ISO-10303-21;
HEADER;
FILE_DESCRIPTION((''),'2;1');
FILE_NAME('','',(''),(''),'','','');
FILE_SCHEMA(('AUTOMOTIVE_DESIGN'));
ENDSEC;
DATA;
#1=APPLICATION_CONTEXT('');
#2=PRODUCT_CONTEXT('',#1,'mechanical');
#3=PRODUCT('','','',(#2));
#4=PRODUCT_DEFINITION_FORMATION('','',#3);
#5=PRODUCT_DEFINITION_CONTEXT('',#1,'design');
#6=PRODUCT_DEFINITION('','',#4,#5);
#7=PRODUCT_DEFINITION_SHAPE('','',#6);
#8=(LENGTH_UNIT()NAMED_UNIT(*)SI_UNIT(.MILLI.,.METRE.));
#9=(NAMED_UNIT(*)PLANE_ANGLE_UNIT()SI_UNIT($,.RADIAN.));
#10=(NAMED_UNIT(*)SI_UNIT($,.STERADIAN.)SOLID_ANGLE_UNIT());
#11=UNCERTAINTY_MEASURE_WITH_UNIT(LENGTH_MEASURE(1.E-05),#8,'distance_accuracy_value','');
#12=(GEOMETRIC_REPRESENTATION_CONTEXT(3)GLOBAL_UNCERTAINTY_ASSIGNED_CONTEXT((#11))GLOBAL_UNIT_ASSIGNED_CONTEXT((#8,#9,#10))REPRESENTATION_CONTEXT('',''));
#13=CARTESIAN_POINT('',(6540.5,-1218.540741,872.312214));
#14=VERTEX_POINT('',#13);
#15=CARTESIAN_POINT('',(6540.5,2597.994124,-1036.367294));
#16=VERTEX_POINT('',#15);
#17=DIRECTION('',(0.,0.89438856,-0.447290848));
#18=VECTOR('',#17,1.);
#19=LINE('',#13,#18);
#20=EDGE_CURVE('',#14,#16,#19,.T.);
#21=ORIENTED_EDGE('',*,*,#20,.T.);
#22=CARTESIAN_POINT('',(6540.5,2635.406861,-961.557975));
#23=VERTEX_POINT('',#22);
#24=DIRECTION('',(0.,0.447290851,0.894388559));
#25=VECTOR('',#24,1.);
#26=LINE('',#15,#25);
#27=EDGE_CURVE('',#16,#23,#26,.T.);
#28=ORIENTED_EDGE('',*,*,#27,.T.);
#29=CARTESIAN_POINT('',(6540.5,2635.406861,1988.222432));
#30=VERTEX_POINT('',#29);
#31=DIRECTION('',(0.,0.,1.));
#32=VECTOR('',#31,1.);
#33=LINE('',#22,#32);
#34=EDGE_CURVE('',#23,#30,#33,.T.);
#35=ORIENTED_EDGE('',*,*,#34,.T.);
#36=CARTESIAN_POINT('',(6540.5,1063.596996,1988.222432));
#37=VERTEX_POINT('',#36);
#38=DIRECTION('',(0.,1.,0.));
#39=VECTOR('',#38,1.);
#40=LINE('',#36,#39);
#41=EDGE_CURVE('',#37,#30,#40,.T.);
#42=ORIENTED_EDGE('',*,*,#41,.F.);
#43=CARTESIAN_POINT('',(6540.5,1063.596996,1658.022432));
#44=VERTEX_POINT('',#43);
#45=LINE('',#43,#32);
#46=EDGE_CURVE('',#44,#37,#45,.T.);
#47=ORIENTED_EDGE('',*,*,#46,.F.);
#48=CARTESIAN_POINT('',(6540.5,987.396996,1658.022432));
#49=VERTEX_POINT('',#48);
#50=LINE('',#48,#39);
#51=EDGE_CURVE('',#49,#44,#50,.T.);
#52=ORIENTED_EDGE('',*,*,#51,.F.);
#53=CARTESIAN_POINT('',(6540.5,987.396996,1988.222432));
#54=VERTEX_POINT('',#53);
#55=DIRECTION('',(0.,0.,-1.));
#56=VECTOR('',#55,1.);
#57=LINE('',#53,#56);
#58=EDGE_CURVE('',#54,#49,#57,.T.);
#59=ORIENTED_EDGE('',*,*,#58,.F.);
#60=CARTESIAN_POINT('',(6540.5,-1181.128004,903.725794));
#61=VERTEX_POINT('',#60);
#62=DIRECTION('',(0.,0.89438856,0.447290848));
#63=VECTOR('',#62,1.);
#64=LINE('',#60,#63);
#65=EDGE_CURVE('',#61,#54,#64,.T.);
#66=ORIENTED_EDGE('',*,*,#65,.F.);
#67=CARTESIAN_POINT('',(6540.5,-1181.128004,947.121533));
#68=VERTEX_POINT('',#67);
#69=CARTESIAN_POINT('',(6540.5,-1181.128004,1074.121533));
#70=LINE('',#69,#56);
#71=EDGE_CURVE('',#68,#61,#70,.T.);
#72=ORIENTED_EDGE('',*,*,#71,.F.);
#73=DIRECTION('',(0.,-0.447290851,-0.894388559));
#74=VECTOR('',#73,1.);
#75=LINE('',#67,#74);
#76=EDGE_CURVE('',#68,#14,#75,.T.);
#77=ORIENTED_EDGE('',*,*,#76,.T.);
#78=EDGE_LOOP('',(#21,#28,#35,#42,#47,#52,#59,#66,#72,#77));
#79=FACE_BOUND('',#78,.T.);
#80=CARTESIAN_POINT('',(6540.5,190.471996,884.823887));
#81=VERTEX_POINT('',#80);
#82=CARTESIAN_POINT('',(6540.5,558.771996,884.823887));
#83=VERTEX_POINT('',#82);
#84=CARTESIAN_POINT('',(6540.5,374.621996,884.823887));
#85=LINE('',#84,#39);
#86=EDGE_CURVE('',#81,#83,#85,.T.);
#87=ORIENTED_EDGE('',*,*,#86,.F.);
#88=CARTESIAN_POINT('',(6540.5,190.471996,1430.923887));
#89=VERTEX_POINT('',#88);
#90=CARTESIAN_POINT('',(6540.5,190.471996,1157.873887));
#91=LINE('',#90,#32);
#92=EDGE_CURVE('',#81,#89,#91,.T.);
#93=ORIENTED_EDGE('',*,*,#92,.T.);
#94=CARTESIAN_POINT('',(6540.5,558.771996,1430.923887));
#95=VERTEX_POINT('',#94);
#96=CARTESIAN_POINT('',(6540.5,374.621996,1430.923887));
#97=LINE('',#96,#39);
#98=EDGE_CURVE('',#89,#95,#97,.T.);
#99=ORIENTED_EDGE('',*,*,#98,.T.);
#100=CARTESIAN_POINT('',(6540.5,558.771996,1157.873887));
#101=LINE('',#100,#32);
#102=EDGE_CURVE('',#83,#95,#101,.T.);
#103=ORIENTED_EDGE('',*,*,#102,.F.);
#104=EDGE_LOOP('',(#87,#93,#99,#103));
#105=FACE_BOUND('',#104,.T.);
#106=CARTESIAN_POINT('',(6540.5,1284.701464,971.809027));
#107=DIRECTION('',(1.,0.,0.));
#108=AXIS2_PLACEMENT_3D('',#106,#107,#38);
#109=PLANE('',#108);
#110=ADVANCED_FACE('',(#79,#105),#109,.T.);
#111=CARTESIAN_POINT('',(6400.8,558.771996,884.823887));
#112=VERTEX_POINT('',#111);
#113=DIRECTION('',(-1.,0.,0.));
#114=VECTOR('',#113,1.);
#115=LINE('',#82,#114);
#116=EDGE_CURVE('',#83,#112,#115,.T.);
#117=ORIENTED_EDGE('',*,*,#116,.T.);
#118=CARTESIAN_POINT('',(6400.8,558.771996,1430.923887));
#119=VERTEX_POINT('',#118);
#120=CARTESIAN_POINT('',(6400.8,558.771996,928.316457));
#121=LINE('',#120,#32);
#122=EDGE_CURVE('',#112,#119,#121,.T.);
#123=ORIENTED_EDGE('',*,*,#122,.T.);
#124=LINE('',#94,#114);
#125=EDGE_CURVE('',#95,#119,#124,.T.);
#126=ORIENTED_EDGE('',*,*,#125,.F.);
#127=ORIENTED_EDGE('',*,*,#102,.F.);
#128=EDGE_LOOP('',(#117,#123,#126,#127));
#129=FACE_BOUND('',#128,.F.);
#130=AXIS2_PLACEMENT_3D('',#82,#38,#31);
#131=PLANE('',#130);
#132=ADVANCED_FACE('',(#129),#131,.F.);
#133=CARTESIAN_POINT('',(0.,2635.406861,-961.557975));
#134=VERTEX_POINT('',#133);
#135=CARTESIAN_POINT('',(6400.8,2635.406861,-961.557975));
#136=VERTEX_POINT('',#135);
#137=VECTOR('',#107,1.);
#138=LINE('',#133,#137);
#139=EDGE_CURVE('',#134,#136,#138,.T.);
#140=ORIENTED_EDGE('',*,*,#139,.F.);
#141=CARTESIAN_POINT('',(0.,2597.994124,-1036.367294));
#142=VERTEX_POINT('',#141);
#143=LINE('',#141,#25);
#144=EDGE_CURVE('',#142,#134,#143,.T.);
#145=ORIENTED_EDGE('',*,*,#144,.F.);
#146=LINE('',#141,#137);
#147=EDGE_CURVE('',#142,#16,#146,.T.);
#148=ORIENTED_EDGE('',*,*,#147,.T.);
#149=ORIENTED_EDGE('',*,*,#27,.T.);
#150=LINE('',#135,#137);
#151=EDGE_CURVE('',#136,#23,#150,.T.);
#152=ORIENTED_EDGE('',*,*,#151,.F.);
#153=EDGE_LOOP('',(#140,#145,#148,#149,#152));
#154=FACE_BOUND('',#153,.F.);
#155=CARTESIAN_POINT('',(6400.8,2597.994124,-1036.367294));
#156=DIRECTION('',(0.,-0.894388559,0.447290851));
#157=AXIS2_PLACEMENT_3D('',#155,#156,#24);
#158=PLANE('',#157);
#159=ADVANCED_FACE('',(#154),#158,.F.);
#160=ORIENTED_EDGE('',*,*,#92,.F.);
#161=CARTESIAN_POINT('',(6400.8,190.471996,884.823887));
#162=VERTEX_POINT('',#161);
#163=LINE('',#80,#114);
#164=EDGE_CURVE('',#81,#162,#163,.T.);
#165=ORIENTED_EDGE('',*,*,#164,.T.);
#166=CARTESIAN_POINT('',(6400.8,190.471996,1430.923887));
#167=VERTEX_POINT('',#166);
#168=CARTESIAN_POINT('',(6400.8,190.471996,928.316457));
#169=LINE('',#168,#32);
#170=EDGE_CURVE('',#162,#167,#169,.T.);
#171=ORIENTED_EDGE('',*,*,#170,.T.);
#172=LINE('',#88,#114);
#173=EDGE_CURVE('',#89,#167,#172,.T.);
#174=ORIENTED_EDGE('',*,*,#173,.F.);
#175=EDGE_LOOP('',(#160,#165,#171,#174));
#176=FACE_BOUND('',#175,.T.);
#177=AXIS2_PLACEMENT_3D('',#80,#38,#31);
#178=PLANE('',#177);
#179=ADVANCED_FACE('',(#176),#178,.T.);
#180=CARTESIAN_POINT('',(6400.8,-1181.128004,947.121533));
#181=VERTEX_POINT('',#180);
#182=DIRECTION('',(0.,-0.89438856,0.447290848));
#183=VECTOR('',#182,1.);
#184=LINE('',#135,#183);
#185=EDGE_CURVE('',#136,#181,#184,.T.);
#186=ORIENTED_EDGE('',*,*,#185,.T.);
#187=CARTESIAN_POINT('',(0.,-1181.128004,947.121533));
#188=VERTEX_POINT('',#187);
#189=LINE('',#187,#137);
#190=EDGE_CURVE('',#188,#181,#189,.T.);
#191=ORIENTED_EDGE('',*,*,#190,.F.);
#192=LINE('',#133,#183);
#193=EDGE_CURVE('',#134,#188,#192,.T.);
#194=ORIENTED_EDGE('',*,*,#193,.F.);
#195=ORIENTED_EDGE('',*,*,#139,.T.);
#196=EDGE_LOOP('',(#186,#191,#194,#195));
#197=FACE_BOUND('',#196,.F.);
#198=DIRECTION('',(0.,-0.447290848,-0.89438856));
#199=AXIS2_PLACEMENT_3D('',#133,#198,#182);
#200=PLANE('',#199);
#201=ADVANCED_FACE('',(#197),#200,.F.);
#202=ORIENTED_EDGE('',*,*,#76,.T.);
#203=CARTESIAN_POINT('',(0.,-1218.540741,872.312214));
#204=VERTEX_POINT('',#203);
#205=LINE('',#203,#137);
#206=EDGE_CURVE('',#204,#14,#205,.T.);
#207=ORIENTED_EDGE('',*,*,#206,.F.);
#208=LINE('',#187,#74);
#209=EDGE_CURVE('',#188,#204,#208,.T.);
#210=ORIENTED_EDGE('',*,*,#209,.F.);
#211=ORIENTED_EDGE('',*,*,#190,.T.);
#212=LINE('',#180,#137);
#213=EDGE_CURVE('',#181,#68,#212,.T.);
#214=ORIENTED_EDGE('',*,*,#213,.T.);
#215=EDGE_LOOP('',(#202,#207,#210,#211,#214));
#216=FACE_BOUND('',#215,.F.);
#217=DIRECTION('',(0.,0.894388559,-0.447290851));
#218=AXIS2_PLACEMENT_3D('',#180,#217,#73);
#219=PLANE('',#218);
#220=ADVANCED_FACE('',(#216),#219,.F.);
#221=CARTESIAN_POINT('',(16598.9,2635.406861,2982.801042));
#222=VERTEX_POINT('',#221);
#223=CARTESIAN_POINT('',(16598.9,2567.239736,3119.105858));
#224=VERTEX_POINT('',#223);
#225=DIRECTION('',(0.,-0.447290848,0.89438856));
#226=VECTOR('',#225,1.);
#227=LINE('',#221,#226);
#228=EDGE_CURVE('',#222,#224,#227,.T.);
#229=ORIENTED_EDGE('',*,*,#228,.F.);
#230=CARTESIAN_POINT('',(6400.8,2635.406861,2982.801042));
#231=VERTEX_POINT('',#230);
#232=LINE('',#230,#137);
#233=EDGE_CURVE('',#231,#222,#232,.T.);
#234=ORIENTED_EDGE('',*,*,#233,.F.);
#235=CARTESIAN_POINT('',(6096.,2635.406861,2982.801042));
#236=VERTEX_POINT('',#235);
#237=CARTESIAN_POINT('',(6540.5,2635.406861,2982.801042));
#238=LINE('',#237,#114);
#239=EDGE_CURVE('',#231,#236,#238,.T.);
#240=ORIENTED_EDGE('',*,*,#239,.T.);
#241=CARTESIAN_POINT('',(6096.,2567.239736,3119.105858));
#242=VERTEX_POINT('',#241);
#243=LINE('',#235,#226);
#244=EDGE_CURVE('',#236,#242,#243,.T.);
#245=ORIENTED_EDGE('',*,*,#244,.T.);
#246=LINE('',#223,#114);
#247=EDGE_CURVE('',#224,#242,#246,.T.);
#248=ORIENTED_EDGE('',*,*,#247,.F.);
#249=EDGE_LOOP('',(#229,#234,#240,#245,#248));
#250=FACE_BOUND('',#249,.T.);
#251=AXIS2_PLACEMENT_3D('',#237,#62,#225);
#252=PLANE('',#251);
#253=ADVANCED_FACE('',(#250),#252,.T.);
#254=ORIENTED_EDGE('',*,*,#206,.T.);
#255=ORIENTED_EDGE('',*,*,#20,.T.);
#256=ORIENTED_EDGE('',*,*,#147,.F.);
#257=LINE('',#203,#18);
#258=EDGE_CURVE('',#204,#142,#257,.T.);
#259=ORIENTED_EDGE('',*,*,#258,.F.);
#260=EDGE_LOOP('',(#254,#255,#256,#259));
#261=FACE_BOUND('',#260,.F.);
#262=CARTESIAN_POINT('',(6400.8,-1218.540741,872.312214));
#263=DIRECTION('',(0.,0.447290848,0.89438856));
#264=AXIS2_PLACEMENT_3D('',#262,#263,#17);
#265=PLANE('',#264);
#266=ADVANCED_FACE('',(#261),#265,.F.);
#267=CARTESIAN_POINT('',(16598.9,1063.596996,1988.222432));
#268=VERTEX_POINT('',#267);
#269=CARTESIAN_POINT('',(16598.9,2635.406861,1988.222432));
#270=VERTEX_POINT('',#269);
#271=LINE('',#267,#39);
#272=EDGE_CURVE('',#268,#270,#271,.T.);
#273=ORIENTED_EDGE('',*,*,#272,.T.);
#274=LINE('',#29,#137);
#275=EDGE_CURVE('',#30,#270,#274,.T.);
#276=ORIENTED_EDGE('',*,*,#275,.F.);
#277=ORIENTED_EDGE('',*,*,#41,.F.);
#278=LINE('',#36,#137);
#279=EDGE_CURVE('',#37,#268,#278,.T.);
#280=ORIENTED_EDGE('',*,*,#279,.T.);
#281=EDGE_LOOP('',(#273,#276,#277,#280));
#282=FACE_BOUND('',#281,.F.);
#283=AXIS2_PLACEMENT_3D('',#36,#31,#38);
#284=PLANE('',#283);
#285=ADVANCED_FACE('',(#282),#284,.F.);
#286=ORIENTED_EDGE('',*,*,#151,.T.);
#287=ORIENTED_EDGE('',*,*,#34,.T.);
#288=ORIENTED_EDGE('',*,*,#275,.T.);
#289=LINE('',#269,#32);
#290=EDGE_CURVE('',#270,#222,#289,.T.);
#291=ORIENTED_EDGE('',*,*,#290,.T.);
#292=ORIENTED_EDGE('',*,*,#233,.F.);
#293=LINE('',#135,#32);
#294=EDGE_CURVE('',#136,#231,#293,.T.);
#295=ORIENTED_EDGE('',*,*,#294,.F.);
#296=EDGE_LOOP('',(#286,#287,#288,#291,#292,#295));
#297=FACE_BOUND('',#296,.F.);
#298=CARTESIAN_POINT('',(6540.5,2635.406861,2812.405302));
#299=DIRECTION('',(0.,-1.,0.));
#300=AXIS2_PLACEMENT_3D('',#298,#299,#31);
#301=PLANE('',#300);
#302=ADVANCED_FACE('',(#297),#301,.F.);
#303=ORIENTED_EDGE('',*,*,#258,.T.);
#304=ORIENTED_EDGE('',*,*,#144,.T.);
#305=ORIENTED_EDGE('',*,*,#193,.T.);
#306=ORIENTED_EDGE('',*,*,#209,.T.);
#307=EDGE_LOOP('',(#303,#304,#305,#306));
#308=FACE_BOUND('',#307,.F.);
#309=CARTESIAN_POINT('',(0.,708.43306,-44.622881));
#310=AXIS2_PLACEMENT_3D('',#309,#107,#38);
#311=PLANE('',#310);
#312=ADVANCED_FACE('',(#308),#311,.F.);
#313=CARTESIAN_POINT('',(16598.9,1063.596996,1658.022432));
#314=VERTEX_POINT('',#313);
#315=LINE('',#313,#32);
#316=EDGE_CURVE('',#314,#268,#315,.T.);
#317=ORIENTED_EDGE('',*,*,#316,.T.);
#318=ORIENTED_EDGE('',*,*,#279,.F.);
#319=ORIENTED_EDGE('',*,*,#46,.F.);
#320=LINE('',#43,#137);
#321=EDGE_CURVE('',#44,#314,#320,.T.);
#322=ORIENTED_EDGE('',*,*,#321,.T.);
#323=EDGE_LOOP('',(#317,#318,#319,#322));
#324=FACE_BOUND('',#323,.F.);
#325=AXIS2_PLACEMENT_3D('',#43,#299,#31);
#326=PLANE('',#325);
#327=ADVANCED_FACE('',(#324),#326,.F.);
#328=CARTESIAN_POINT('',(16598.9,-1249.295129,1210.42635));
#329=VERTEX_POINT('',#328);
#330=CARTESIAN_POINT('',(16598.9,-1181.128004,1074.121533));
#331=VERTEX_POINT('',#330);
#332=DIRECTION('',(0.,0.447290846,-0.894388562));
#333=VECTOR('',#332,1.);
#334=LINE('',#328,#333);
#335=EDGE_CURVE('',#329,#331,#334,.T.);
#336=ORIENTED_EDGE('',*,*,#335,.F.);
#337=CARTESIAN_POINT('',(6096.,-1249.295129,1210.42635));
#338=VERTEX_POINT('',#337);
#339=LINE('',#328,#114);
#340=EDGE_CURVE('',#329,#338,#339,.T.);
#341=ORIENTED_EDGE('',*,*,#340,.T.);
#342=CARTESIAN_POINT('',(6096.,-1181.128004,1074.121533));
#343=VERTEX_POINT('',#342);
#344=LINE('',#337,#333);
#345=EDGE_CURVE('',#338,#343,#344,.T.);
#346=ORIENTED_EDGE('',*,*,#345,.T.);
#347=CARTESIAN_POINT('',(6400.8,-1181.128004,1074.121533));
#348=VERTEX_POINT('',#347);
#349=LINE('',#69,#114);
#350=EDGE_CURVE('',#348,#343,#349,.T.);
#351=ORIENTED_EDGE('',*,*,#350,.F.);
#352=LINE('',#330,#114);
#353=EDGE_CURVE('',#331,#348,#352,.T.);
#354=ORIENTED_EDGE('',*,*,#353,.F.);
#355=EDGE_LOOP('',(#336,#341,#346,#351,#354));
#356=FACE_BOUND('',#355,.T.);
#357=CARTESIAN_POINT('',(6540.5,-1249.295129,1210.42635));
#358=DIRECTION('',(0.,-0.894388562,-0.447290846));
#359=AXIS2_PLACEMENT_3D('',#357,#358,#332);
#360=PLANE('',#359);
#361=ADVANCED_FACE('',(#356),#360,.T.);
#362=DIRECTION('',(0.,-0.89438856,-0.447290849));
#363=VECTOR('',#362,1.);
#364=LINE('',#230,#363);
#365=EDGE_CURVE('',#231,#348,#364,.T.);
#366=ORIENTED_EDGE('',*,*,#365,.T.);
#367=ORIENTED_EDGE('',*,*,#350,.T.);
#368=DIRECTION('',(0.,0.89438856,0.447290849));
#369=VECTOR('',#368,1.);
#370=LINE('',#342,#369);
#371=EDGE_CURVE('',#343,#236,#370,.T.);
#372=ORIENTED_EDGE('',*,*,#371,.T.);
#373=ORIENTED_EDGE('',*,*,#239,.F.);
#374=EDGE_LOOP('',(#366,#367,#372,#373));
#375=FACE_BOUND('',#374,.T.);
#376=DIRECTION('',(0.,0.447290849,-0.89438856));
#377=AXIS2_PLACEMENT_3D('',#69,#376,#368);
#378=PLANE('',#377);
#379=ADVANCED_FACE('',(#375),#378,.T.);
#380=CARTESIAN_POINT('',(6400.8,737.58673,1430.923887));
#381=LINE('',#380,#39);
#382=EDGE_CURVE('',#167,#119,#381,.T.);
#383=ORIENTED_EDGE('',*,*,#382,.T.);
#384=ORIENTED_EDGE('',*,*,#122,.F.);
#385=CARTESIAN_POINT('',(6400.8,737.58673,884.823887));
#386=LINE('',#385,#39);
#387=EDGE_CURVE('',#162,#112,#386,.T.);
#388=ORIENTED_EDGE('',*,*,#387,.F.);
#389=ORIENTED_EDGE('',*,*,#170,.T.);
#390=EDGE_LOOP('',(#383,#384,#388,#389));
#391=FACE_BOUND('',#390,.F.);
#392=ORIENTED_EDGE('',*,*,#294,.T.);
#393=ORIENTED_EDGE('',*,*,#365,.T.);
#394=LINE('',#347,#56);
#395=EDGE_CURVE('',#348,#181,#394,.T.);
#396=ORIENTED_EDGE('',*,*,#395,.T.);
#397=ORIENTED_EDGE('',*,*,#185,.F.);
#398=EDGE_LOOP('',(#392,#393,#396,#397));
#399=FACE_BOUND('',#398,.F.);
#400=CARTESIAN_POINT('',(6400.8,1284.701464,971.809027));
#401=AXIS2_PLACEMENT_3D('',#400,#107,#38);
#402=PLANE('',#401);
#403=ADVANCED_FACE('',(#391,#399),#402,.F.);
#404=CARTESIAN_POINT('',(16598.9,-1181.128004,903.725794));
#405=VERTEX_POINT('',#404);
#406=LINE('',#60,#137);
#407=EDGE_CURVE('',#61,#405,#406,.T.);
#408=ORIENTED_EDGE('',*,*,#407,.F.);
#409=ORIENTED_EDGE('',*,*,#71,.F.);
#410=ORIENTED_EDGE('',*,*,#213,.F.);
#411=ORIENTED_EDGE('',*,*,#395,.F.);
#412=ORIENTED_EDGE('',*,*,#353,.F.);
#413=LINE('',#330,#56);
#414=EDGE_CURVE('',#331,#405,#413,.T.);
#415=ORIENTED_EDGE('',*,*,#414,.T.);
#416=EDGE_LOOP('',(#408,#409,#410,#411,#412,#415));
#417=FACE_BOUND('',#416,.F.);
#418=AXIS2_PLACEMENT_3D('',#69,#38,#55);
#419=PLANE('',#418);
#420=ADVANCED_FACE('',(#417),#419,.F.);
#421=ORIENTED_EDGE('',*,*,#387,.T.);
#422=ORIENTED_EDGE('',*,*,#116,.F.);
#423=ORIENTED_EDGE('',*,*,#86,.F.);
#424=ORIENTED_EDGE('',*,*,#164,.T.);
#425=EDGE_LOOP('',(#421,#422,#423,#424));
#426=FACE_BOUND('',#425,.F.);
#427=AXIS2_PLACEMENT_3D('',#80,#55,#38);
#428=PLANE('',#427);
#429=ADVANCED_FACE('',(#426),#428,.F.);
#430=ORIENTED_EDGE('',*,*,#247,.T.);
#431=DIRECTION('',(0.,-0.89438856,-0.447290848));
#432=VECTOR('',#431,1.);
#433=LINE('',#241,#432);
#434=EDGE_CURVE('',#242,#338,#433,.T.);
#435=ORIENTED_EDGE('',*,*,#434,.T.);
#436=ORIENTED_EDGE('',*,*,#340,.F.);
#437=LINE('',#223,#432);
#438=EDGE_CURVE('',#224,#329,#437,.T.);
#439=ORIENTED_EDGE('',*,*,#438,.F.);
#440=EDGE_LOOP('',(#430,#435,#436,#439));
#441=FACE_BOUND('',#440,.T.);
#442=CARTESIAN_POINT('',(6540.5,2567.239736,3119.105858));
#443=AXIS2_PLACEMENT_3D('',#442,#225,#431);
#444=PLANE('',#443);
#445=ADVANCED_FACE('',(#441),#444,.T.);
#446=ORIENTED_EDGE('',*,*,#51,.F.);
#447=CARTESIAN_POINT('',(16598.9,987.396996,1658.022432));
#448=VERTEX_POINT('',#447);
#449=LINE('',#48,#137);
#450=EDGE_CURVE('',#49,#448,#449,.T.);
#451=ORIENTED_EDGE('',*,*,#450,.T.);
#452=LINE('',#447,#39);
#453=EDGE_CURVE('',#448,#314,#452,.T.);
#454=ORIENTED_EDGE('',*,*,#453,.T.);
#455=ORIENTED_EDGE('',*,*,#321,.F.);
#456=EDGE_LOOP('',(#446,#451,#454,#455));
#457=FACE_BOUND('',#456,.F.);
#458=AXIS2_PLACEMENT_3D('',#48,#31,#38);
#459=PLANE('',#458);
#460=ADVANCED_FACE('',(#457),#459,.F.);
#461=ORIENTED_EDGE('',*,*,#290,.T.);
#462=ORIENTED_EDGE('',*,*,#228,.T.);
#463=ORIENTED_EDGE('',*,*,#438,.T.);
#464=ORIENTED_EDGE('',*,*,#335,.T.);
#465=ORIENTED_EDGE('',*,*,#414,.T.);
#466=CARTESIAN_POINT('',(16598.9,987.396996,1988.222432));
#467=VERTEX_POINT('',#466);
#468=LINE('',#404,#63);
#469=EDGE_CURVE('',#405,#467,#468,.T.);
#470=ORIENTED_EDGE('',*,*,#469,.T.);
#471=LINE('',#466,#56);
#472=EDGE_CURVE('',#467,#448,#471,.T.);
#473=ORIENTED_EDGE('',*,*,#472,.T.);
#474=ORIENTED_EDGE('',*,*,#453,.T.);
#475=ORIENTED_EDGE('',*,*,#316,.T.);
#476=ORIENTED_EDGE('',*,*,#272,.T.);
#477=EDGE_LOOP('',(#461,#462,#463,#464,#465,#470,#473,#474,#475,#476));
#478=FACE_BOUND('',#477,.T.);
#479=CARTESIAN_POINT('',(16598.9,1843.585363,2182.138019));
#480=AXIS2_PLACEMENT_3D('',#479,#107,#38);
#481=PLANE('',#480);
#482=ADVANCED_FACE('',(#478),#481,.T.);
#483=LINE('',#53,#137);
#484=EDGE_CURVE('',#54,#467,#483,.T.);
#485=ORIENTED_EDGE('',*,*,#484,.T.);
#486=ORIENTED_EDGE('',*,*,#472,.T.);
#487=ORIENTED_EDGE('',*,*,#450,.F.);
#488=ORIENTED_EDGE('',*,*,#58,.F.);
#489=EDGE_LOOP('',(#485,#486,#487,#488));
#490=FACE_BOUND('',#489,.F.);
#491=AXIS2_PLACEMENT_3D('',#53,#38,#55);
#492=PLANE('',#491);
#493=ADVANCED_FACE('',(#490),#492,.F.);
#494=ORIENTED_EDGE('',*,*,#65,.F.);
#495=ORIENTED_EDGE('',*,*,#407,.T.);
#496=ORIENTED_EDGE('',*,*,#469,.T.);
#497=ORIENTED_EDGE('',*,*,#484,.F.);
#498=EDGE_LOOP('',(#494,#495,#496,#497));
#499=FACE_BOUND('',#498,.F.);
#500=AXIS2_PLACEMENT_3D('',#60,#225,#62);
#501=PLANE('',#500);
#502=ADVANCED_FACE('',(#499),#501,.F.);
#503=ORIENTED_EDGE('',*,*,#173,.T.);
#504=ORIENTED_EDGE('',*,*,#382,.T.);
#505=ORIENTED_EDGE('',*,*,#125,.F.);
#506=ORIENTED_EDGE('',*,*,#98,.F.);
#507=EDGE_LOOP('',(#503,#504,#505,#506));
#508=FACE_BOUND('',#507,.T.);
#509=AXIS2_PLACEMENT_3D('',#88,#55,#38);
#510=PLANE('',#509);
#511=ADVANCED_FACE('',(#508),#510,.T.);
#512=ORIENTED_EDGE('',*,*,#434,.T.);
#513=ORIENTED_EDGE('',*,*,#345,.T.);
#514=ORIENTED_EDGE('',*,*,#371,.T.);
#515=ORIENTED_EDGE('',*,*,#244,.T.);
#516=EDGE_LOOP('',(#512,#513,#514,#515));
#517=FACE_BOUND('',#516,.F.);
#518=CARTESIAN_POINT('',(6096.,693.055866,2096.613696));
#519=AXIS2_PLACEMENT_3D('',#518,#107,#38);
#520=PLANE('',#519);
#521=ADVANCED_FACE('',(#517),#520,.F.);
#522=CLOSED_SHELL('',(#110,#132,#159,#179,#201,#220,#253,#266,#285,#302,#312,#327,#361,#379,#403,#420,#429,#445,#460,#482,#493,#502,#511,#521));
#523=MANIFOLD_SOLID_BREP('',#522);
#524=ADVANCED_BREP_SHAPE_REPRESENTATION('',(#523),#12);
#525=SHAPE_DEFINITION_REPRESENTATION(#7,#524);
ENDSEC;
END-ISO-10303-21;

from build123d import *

# Parameters (mm, degrees)
F1_DEPTH      = 6400.8
F3_DEPTH      = 139.7
F5_DEPTH      = 10058.4
F5_DEPTH_BACK = 444.5
F8_DEPTH      = 10058.4
F7_W          = 368.3
F7_H          = 546.1
F9_DEPTH      = 6540.501
F11_DEPTH     = 10058.4


with BuildPart() as f1:
    # F0 (on Right) → F1 (new body)
    with BuildSketch(Plane.YZ):
        Polygon((-1181.128004, 947.121533), (-1218.540741, 872.312214), (2597.994124, -1036.367294), (2635.406861, -961.557975), align=None)
    extrude(amount=F1_DEPTH)

    # F2 (on face) → F3 (join)
    with BuildSketch(Plane.YZ.offset(6400.8)):
        Polygon((-1181.128004, 1074.121533), (-1181.128004, 947.121533), (-1218.540741, 872.312214), (2597.994124, -1036.367294), (2635.406861, -961.557975), (2635.406861, 2982.801042), align=None)
    extrude(amount=F3_DEPTH)

    # F4 (on face) → F5 (join, two sides)
    with BuildSketch(Plane.YZ.offset(6540.5)) as f5_sk:
        Polygon((-1249.295129, 1210.42635), (-1181.128004, 1074.121533), (2635.406861, 2982.801042), (2567.239736, 3119.105858), align=None)
    extrude(amount=F5_DEPTH)
    extrude(f5_sk.sketch, amount=-F5_DEPTH_BACK)

    # F6 (on face) → F8 (join)
    with BuildSketch(Plane.YZ.offset(6540.5)):
        Polygon((2635.406861, 2982.801042), (-1181.128004, 1074.121533), (-1181.128004, 903.725794), (2635.406861, 2812.405302), align=None)
    extrude(amount=F8_DEPTH)

    # F7 (on face) → F9 (cut, through all)
    with BuildSketch(Plane.YZ.offset(6540.5)):
        with Locations((374.621996, 1157.873887)):
            Rectangle(F7_W, F7_H)
    extrude(amount=-F9_DEPTH, mode=Mode.SUBTRACT)

    # F10 (on face) → F11 (join)
    with BuildSketch(Plane.YZ.offset(6540.5)):
        Polygon((987.396996, 1988.222432), (987.396996, 1658.022432), (1063.596996, 1658.022432), (1063.596996, 1988.222432), (2635.406861, 1988.222432), (2635.406861, 2812.405302), align=None)
    extrude(amount=F11_DEPTH)


solid = f1.part
